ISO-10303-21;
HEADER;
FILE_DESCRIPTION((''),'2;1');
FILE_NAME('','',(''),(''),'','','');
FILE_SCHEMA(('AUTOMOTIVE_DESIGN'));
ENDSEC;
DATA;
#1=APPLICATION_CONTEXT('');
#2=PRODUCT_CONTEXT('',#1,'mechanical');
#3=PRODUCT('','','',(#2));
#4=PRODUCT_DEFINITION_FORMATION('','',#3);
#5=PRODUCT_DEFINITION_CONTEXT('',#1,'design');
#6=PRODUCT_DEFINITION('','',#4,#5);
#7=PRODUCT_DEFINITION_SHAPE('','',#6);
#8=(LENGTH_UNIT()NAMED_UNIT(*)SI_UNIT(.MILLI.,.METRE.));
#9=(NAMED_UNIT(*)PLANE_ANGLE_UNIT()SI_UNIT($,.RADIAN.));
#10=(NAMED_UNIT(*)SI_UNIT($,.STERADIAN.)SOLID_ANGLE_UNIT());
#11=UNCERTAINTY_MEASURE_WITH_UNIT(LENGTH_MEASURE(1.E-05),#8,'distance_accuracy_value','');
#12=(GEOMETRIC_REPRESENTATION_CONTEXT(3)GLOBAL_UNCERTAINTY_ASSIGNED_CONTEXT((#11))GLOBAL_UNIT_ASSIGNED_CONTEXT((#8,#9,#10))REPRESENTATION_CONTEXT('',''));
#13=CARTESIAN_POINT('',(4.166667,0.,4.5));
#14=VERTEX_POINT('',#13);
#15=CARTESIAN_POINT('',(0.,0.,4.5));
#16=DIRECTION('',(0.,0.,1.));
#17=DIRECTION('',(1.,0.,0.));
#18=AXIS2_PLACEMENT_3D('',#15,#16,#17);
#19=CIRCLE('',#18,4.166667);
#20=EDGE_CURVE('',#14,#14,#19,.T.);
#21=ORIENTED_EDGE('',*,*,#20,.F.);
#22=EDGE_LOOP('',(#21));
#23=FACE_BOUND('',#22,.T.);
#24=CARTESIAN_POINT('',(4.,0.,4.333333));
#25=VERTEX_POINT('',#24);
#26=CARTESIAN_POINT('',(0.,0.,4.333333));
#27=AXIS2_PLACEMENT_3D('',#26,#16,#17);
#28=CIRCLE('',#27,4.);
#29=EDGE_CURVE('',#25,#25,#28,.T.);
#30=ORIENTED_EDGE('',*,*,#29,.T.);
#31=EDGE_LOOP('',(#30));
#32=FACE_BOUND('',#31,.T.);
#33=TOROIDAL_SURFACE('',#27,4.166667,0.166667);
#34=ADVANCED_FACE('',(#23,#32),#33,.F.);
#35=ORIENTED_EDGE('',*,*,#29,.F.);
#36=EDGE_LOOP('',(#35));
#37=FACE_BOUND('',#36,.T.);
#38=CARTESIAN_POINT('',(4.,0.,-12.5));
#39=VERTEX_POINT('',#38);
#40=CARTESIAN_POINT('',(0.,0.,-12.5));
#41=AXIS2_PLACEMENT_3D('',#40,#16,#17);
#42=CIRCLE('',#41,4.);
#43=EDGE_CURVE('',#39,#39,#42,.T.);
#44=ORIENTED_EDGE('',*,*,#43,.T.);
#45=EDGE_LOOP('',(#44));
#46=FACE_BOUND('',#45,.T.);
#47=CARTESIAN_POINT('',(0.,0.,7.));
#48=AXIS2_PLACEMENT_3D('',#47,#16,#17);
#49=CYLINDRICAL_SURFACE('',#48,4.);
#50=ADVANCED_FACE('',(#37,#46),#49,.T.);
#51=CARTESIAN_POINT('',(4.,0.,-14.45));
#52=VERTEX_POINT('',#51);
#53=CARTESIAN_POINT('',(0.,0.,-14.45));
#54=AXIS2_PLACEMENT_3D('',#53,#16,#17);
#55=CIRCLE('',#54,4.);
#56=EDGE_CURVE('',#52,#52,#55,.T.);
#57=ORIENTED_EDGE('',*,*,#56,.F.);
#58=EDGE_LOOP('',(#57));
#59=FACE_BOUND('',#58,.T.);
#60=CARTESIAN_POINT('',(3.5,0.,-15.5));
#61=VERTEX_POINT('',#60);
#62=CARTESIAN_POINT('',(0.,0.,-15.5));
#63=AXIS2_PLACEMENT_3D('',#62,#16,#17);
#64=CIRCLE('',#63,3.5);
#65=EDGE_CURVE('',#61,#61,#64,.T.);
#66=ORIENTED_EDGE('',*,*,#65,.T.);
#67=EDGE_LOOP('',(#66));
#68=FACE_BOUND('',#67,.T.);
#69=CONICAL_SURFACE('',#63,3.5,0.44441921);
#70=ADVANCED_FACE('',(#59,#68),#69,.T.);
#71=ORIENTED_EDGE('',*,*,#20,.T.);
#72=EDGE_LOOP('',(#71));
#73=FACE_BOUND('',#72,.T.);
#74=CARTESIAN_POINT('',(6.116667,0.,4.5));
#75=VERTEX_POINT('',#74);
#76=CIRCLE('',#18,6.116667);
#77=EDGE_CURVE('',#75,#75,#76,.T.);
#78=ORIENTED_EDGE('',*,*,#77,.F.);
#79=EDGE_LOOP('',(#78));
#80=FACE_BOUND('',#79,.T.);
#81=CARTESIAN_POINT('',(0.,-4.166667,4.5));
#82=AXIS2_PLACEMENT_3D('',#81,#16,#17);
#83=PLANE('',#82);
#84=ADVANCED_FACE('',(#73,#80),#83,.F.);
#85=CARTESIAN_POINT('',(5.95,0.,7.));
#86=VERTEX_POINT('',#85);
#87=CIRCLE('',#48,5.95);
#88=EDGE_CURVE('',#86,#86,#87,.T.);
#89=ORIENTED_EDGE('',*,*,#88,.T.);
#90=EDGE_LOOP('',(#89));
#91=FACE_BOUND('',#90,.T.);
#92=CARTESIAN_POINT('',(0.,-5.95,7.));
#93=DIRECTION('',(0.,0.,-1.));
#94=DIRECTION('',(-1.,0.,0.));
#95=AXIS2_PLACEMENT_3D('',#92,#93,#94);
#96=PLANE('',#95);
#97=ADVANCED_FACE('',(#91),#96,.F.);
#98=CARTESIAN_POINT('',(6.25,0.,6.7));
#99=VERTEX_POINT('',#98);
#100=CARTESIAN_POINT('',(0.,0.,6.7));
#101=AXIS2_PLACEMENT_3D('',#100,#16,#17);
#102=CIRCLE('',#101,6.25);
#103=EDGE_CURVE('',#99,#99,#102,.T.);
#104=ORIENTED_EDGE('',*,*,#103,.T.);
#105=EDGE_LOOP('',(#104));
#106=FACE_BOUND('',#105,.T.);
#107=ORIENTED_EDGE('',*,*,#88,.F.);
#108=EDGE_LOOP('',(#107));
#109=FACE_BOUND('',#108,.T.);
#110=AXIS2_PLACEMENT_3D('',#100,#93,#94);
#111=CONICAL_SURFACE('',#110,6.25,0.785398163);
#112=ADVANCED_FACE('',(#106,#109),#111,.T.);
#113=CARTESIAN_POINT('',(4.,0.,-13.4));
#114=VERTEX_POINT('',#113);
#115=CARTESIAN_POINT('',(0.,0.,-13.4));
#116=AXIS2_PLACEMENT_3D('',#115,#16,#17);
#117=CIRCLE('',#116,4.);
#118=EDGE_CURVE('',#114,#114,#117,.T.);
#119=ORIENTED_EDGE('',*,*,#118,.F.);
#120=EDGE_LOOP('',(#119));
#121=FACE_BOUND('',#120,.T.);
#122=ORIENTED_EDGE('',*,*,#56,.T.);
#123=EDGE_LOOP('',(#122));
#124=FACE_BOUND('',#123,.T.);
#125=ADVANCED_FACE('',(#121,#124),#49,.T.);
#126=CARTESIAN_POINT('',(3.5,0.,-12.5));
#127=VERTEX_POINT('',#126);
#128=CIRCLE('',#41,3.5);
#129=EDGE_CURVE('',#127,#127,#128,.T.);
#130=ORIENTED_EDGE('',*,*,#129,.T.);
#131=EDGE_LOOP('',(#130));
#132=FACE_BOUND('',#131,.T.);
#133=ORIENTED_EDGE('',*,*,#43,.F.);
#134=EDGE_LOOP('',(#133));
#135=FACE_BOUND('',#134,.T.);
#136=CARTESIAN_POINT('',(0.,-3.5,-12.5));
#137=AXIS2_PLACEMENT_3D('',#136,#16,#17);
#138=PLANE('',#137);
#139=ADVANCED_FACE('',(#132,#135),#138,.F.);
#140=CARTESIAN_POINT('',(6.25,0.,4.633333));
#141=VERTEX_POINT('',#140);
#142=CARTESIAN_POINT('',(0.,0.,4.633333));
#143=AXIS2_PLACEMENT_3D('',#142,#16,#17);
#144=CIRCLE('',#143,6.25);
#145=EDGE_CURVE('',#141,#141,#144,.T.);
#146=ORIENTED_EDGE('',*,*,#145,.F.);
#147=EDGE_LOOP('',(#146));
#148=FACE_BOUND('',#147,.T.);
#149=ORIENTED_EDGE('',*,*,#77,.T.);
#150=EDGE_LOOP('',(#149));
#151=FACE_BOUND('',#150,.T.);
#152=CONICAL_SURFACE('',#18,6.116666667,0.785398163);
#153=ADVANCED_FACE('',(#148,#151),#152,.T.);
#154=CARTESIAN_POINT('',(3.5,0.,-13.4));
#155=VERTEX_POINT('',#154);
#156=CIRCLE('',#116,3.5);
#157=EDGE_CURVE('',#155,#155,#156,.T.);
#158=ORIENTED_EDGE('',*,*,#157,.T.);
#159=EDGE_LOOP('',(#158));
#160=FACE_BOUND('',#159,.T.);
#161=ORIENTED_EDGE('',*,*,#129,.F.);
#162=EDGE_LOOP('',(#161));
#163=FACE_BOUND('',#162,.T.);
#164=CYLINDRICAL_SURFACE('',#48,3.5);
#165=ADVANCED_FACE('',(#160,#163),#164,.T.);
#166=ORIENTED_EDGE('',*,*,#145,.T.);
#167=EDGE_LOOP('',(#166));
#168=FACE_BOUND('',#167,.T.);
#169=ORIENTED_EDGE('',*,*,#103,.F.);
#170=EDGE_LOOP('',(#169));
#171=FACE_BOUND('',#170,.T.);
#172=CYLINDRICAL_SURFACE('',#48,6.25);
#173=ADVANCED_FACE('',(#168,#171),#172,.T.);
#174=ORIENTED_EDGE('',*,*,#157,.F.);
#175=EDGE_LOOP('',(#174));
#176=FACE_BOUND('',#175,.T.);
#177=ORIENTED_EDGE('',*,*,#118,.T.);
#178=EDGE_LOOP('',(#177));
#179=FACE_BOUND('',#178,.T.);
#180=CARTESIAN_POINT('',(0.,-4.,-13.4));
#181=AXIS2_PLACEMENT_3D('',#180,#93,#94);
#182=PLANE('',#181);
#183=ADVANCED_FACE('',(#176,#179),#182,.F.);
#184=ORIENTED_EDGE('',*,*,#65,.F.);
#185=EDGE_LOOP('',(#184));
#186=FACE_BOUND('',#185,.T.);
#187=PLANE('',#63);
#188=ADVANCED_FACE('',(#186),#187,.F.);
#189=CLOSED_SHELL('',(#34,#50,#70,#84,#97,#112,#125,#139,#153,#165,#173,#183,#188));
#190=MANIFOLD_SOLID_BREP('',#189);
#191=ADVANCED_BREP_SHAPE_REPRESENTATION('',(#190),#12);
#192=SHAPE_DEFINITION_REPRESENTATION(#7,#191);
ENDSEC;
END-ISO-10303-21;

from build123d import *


with BuildPart() as part:
    # 草图3 → 旋转1 (revolve)
    with BuildSketch(Plane(origin=(0, 0, 0), x_dir=(0, 0, -1), z_dir=(1, 0, 0)), mode=Mode.PRIVATE) as revolve_1_sk:
        with BuildLine():
            Line((12.5, 0), (15.5, 0))
            Line((15.5, 0), (15.5, 3.5))
            Line((15.5, 3.5), (14.45, 4))
            Line((14.45, 4), (13.4, 4))
            Line((13.4, 4), (13.4, 3.5))
            Line((13.4, 3.5), (12.5, 3.5))
            Line((12.5, 3.5), (12.5, 4))
            Line((12.5, 4), (0, 4))
            Line((0, 4), (-4.333333333, 4))
            ThreePointArc((-4.333333333, 4), (-4.451184464, 4.048815536), (-4.5, 4.166666667))
            Line((-4.5, 4.166666667), (-4.5, 6.116666667))
            Line((-4.5, 6.116666667), (-4.633333333, 6.25))
            Line((-4.633333333, 6.25), (-6.7, 6.25))
            Line((-6.7, 6.25), (-7, 5.95))
            Line((-7, 5.95), (-7, 0))
            Line((-7, 0), (12.5, 0))
        make_face()
    revolve(revolve_1_sk.sketch.rotate(Axis((0, 0, 7), (0, 0, -1)), 90), axis=Axis((0, 0, 7), (0, 0, -1)))


solid = part.part
